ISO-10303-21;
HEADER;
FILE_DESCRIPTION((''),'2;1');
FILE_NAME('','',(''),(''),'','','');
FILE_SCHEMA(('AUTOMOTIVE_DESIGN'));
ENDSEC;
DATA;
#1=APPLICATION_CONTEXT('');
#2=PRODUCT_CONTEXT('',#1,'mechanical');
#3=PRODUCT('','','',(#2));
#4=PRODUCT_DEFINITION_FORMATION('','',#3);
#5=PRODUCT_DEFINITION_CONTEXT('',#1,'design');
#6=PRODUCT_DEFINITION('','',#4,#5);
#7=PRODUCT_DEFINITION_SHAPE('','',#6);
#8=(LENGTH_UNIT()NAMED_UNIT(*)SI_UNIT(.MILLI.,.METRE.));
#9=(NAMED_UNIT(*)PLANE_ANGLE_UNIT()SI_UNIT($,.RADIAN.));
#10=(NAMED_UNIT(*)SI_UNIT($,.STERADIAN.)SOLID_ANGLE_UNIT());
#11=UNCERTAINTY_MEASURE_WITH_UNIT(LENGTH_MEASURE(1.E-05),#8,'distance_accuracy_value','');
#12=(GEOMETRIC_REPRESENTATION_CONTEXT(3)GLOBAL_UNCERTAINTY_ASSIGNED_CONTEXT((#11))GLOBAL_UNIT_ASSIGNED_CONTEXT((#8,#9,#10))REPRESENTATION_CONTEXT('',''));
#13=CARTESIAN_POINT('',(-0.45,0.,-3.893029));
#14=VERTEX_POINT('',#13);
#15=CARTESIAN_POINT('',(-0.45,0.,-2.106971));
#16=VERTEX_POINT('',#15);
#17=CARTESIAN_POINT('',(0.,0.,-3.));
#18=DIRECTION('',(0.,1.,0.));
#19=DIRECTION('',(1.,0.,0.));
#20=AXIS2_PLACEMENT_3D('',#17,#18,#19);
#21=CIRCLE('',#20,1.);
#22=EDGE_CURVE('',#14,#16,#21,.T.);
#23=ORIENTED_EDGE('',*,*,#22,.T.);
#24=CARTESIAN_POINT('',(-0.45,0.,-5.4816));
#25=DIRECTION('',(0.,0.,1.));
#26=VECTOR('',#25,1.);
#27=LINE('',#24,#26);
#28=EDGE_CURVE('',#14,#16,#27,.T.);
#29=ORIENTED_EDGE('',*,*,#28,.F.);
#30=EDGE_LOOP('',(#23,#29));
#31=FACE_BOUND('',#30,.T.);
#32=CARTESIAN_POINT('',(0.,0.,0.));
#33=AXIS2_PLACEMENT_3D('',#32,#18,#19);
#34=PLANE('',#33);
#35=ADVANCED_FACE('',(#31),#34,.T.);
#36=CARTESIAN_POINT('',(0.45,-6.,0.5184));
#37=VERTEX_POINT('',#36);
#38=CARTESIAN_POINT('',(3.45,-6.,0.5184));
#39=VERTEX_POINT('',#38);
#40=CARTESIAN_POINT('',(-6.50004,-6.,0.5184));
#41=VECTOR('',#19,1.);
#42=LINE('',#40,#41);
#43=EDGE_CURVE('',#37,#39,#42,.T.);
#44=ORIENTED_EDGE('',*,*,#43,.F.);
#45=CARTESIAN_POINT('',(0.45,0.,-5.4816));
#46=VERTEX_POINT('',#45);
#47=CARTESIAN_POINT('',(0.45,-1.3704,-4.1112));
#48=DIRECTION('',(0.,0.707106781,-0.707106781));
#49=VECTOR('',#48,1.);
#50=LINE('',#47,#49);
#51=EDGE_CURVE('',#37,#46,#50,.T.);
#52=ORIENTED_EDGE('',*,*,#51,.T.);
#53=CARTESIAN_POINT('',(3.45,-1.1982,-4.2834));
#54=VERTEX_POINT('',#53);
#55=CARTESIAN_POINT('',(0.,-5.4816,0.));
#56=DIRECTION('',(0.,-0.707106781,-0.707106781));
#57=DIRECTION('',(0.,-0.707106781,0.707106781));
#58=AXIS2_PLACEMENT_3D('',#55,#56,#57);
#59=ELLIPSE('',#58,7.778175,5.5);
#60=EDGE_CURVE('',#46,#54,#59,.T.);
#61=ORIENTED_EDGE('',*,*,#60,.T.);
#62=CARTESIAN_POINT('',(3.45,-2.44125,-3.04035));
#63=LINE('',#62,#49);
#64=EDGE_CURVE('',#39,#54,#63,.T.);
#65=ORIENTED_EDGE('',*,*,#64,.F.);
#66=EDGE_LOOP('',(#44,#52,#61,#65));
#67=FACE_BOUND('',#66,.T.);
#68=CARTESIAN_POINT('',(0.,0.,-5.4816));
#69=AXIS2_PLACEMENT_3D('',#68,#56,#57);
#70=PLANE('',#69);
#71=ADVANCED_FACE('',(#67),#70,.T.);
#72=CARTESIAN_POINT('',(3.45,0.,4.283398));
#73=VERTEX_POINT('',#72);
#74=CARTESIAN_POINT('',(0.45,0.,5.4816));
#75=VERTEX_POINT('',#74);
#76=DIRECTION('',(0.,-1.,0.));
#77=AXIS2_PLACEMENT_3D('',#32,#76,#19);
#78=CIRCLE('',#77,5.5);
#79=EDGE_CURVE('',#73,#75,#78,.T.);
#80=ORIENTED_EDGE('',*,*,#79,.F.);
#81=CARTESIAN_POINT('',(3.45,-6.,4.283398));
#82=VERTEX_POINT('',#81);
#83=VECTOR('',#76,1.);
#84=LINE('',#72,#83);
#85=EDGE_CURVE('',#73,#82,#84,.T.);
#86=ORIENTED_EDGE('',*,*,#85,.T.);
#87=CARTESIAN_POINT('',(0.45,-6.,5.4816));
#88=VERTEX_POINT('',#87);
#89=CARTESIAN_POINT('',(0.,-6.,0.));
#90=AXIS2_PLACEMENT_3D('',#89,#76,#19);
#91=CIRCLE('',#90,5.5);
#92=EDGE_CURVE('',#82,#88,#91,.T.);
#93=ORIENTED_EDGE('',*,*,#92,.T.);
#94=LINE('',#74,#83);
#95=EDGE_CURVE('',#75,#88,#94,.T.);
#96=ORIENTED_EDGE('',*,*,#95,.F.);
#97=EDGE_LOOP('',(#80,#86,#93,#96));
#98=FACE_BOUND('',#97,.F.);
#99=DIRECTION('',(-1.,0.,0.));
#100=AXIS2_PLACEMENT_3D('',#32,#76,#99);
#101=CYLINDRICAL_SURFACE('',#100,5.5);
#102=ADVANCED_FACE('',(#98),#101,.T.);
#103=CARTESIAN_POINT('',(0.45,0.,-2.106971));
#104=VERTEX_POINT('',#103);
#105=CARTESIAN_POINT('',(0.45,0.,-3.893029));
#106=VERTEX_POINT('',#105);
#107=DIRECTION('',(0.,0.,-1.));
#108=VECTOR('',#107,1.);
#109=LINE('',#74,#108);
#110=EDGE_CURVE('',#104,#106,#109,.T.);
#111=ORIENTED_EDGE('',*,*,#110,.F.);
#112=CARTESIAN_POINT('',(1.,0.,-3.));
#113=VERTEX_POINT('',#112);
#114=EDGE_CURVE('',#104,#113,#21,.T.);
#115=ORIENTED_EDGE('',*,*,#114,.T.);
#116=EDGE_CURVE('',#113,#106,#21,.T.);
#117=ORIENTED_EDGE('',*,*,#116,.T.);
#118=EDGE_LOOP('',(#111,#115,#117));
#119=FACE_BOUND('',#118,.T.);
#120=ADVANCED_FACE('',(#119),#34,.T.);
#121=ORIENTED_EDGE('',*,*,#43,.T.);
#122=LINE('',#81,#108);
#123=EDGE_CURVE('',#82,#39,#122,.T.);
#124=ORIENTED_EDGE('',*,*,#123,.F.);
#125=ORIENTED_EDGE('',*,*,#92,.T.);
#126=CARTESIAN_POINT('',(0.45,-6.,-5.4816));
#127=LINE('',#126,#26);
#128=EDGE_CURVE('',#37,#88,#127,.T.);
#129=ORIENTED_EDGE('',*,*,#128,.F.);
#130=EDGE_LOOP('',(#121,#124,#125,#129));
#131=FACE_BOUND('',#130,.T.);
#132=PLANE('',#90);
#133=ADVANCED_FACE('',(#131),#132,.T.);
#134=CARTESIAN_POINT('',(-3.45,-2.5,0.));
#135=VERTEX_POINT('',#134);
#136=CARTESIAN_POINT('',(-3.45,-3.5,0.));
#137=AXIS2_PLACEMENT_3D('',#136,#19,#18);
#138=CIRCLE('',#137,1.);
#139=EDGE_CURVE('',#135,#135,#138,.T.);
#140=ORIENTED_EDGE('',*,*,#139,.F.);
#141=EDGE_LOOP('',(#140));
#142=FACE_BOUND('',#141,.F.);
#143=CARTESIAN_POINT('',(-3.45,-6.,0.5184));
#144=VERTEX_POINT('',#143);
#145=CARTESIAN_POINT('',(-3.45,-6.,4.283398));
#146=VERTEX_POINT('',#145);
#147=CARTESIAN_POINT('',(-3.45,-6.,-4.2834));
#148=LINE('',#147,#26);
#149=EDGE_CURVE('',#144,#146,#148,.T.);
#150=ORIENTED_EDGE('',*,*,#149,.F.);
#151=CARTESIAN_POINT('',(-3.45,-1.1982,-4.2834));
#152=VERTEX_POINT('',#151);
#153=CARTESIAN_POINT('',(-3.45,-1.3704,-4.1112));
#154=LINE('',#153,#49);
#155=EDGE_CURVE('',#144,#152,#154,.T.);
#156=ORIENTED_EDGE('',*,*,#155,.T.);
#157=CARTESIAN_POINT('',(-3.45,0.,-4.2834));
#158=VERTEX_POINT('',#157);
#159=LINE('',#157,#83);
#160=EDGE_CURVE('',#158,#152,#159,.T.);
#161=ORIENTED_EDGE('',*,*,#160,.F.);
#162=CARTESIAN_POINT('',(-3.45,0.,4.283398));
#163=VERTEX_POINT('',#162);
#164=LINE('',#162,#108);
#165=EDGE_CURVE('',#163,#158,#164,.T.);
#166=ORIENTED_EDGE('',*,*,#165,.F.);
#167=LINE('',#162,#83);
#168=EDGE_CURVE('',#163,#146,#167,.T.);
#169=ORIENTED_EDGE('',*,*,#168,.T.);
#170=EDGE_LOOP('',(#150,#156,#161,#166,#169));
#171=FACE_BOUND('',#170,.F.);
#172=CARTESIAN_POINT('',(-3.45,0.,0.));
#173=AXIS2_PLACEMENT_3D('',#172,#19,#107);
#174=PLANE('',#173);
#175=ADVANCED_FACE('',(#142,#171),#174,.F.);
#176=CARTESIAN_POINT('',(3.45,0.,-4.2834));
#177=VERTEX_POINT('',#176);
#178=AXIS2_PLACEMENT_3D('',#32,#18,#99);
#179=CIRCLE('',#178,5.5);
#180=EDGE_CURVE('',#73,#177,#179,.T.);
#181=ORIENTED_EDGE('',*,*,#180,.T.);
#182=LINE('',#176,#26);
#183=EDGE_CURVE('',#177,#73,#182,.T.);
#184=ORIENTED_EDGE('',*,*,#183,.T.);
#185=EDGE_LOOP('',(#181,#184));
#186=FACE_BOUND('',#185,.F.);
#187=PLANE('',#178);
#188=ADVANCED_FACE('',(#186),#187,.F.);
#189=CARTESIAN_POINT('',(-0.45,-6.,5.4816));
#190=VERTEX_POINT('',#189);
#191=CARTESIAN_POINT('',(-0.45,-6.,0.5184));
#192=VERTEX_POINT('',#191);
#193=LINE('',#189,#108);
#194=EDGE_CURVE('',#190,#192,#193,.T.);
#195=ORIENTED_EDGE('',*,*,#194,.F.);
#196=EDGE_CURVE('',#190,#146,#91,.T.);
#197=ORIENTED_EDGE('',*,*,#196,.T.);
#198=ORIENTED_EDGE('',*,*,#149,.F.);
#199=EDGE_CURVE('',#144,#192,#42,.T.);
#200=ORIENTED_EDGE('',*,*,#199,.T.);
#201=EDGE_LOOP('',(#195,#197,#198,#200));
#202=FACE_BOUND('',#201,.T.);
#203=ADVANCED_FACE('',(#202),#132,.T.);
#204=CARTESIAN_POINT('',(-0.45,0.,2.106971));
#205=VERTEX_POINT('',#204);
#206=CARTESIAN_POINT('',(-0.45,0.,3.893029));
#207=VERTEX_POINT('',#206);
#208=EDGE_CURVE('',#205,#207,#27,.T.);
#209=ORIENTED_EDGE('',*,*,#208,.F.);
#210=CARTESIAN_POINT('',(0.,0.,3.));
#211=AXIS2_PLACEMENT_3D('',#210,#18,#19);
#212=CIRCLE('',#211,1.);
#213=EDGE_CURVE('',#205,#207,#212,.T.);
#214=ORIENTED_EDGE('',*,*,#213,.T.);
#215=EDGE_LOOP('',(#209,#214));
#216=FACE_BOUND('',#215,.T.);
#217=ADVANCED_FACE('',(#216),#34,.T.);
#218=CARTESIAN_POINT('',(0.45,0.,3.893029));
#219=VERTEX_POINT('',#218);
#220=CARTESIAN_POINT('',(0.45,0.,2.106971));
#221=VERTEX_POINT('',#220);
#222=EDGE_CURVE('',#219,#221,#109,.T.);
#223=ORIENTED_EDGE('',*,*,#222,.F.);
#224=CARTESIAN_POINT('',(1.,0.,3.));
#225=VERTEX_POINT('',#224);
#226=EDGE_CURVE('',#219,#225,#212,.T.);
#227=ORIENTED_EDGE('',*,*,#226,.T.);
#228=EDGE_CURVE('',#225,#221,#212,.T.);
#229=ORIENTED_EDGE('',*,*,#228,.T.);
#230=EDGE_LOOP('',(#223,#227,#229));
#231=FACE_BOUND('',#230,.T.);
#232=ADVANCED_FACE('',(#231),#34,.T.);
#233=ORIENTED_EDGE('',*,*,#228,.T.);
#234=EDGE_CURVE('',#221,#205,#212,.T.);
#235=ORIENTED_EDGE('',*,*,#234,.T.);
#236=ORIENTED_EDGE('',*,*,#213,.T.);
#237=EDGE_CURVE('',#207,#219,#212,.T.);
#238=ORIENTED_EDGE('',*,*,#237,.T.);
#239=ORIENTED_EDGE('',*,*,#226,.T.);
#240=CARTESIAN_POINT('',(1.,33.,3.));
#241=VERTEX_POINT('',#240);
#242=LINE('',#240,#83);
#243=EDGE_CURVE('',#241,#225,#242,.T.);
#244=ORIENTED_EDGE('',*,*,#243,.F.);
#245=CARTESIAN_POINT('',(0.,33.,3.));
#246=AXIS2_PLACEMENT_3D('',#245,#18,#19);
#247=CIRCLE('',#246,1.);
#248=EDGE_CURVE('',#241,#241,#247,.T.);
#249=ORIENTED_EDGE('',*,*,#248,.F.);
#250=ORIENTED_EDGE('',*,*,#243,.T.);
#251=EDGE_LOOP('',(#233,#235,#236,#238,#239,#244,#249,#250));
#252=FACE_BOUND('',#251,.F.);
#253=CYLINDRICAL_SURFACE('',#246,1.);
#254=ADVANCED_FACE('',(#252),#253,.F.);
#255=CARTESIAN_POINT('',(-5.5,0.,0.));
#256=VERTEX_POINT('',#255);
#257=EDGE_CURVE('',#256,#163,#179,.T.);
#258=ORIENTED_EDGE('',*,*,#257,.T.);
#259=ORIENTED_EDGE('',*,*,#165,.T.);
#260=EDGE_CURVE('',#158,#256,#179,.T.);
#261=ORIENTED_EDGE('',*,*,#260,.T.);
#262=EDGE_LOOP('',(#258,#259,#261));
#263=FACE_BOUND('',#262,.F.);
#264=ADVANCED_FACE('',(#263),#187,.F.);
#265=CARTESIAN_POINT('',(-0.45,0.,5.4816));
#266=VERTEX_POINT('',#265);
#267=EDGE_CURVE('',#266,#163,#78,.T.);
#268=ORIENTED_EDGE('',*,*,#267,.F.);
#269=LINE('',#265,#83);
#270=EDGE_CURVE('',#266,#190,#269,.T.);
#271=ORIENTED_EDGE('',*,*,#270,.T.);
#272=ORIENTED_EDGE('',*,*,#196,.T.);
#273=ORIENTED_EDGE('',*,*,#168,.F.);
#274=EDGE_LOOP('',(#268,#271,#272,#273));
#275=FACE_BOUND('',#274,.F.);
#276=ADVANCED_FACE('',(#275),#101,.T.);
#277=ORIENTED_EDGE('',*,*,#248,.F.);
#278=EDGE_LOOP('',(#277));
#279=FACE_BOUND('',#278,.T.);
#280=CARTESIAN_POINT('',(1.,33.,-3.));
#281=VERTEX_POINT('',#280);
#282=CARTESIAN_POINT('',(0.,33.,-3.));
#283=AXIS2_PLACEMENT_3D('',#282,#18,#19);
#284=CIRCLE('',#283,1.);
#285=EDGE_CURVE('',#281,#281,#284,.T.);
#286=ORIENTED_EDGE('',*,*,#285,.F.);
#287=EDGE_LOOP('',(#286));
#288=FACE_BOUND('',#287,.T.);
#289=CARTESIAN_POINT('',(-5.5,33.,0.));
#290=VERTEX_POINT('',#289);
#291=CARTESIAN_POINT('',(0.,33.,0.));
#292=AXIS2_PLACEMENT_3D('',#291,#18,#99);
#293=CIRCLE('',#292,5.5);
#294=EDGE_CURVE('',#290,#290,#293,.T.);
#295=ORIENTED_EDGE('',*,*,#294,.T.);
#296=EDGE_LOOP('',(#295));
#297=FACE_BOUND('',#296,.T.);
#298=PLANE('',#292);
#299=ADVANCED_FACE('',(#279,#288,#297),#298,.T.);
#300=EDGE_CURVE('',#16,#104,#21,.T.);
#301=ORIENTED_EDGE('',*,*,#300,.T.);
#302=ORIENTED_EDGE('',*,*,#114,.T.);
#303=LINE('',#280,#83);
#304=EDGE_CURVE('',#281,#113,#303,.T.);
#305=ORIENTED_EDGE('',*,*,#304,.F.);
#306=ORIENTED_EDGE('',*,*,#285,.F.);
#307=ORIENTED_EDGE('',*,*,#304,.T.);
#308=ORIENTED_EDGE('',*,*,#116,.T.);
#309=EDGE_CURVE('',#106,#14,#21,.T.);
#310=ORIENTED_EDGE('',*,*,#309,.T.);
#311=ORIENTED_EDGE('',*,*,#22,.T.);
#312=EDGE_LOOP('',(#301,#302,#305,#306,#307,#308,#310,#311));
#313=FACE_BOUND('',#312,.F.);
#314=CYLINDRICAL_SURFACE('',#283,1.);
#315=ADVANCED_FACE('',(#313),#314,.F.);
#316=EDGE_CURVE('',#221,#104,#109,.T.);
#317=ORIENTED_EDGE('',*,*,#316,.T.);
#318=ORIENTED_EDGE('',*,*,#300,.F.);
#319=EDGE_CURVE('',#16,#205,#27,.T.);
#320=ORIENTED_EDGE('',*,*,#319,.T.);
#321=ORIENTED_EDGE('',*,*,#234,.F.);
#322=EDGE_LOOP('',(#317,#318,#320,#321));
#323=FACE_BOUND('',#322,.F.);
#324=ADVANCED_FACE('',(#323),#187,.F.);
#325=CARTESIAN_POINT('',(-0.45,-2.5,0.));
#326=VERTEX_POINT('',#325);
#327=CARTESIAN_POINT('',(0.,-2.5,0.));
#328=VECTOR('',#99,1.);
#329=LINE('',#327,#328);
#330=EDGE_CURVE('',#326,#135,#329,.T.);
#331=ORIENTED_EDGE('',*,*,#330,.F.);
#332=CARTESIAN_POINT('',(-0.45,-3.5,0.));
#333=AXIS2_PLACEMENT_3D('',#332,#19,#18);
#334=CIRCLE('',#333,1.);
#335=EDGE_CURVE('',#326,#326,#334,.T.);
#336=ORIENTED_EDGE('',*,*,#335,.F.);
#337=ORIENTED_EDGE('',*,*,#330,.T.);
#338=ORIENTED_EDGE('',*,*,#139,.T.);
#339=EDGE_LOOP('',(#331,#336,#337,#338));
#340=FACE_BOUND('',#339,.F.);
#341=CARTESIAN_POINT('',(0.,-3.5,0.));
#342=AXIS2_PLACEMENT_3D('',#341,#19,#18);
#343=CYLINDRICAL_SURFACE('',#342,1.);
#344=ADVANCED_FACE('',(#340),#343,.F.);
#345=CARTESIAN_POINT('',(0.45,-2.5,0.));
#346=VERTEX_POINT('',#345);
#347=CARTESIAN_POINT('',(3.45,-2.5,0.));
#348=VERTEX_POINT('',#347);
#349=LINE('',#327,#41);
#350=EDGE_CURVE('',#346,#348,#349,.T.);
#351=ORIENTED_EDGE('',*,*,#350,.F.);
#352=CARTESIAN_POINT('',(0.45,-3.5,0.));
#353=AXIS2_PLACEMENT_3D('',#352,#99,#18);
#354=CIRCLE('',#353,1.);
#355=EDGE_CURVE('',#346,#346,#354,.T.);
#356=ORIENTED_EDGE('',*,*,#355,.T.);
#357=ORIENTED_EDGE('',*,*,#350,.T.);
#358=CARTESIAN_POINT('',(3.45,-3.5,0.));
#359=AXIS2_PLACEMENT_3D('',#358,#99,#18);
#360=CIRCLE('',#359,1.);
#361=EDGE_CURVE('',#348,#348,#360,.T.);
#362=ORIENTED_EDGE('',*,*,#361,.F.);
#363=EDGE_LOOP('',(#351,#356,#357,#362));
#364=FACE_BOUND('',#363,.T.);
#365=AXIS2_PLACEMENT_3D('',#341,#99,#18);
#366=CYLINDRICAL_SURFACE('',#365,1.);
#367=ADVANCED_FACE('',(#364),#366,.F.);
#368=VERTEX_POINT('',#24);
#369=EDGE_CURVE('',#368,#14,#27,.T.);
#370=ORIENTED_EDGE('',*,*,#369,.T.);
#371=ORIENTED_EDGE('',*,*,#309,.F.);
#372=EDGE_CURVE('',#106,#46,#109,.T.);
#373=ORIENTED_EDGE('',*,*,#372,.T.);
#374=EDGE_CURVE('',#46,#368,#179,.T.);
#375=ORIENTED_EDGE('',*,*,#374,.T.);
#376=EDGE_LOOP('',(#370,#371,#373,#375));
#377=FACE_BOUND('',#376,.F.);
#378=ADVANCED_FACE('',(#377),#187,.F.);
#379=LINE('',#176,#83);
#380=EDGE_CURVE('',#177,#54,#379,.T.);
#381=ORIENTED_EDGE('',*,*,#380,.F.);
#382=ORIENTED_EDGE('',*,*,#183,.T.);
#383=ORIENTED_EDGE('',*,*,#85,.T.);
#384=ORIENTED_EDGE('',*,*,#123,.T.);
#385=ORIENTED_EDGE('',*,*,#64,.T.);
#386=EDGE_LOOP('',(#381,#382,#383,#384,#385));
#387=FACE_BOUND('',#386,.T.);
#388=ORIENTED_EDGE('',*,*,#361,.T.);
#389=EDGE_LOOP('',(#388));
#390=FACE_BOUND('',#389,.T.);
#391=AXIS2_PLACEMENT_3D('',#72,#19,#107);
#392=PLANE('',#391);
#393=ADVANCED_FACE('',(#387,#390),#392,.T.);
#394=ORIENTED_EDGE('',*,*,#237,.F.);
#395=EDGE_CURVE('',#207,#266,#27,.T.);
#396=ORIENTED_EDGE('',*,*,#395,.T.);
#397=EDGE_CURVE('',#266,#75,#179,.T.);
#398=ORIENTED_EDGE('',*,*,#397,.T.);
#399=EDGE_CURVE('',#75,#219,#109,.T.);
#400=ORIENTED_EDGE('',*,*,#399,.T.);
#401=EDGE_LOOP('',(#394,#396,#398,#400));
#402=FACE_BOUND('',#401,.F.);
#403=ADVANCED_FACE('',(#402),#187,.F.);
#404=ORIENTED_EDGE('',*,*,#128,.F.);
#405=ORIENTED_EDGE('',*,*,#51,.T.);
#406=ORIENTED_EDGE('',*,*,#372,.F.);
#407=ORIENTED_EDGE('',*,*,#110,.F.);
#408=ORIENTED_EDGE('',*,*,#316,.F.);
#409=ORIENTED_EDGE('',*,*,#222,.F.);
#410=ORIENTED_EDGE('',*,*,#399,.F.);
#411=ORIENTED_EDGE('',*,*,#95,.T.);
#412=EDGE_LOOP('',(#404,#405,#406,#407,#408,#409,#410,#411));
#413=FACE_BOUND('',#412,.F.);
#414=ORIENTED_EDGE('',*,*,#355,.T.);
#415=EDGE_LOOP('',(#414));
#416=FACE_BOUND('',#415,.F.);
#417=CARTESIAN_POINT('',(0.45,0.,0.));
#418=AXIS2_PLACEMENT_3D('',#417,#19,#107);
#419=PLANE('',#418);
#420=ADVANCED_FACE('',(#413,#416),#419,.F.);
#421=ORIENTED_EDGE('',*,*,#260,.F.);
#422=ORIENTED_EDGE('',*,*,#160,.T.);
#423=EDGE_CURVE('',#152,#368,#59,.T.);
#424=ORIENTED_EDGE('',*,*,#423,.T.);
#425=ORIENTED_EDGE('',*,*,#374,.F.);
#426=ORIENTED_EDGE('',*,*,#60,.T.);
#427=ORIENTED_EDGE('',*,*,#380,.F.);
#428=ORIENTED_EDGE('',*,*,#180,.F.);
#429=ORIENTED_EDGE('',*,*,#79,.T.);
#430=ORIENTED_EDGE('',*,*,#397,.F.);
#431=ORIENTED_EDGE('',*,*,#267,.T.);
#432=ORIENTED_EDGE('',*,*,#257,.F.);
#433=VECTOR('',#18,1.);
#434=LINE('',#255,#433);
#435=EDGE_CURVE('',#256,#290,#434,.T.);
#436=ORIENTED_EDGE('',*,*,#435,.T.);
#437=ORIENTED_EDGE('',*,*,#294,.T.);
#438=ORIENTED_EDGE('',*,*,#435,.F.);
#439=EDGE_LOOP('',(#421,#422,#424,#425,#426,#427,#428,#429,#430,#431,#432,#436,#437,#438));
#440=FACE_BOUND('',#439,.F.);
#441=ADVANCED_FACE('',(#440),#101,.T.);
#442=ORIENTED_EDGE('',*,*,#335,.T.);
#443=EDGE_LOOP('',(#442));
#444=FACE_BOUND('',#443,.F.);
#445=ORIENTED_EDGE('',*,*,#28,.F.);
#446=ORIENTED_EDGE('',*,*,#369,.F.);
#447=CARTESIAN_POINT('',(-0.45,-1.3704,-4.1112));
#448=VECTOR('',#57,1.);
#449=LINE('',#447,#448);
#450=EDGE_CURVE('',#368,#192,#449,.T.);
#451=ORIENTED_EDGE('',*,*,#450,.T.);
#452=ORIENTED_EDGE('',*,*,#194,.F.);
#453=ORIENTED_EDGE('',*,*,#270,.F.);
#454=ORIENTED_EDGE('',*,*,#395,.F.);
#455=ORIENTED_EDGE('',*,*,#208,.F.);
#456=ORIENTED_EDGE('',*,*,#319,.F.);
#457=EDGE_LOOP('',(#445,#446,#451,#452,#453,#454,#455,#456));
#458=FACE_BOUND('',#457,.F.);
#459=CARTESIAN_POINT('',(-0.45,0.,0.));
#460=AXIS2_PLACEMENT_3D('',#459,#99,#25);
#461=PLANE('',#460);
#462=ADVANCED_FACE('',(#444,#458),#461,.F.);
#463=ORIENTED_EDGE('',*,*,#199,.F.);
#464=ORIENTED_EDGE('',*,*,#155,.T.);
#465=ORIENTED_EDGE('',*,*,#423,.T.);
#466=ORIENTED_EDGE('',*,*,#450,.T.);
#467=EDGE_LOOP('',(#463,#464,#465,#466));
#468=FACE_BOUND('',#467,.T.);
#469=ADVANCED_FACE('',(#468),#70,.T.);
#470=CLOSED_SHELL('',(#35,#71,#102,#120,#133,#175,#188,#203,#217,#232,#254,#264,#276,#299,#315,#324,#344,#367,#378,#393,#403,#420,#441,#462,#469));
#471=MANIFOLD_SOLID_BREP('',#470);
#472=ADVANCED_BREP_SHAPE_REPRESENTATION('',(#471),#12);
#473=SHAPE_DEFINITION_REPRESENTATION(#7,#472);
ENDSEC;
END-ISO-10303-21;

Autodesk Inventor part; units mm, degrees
ref_plane "YZ Plane" through (0, 0, 0) normal (1, 0, 0) x (0, 1, 0)
ref_plane "XZ Plane" through (0, 0, 0) normal (0, 1, 0) x (-1, 0, 0)
ref_plane "XY Plane" through (0, 0, 0) normal (0, 0, 1) x (1, 0, 0)
sketch "Sketch1" plane through (0, 0, 0) normal (0, 1, 0) x (-1, 0, 0)
  circle A0 centre (0, 0) radius 5.5
  dimension "d0" = 11
extrude "Extrusion1" add sketch "Sketch1" along normal blind 33
sketch "Sketch6" plane through (0, 0, 0) normal (0, -1, 0) x (1, 0, 0)
  circle A0 centre (0, 0) radius 5.5 projected
  line L0 (3.45, 0) -> (3.45, -4.2834)
  line L1 (0.45, 0) -> (0.45, -5.4816)
  line L2 (3.45, -5.4816) -> (3.45, -4.2834)
  line L3 (3.45, -5.4816) -> (0.45, -5.4816)
  line L4 (0.45, 0) -> (0.45, 5.4816)
  line L5 (3.45, 5.3243) -> (3.45, 0)
  line L6 (3.45, 5.3243) -> (0.45, 5.4816)
  line L7 (0, -5.5) -> (0, 5.5)
  line L8 (-3.45, 0) -> (-3.45, -4.2834)
  line L9 (-0.45, 0) -> (-0.45, -5.4816)
  line L10 (-3.45, -5.4816) -> (-3.45, -4.2834)
  line L11 (-3.45, -5.4816) -> (-0.45, -5.4816)
  line L12 (-0.45, 0) -> (-0.45, 5.4816)
  line L13 (-3.45, 5.3243) -> (-3.45, 0)
  line L14 (-3.45, 5.3243) -> (-0.45, 5.4816)
  point P0 (-3.45, 4.2834)
  point P1 (3.45, 4.2834)
  dimension "d20" = 3
  dimension "d21" = 3
  dimension "d22" = 0.45
  dimension "d23" = 2.05
  dimension "d24" = 2.05
extrude "Extrusion5" add sketch "Sketch6" along normal blind 6 contours A0 L5 L0 L1 L4 | L12 L9 A0 L8 L13
sketch "Sketch8" plane through (0, 0, 0) normal (1, 0, 0) x (0, 1, 0)
  line L0 (0, -5.5) -> (33, -5.5) projected
  line L1 (0, -5.4816) -> (-6, -5.4816) projected
  line L2 (0, -5.4816) -> (0, 5.4816) projected
  line L3 (0, -5.4816) -> (-6, 0.5184)
  line L4 (0, -5.4816) -> (8.4853, -5.4816) construction
  line L5 (-6, -5.4816) -> (-6, 5.4816) projected
  line L6 (-6, 0.5184) -> (-6, -5.4816)
  point P0 (0, 0)
  dimension "d27" = 135
extrude "Extrusion6" cut sketch "Sketch8" along normal through all both and the other way through all
sketch "Sketch10" plane through (0, 0, 0) normal (1, 0, 0) x (0, 1, 0)
  circle A0 centre (-3.5, 0) radius 1
  line L0 (0, -5.5) -> (33, -5.5) projected
  line L1 (-6, 0.5184) -> (-6, 5.4816) projected
  point P0 (0, 0)
  dimension "d30" = 2
  dimension "d31" = 5.5
  dimension "d32" = 2.5
extrude "Extrusion7" cut sketch "Sketch10" along normal through all both and the other way through all
sketch "Sketch11" plane through (0, 33, 0) normal (0, 1, 0) x (1, 0, 0)
  circle A0 centre (0, 3) radius 1
  circle A1 centre (0, -3) radius 1
  point P0 (0, 0)
  dimension "d35" = 2
  dimension "d36" = 2
  dimension "d37" = 3
  dimension "d38" = 3
extrude "Extrusion8" cut sketch "Sketch11" against normal blind 33
properties part number "Part4 finger(indexx)"
